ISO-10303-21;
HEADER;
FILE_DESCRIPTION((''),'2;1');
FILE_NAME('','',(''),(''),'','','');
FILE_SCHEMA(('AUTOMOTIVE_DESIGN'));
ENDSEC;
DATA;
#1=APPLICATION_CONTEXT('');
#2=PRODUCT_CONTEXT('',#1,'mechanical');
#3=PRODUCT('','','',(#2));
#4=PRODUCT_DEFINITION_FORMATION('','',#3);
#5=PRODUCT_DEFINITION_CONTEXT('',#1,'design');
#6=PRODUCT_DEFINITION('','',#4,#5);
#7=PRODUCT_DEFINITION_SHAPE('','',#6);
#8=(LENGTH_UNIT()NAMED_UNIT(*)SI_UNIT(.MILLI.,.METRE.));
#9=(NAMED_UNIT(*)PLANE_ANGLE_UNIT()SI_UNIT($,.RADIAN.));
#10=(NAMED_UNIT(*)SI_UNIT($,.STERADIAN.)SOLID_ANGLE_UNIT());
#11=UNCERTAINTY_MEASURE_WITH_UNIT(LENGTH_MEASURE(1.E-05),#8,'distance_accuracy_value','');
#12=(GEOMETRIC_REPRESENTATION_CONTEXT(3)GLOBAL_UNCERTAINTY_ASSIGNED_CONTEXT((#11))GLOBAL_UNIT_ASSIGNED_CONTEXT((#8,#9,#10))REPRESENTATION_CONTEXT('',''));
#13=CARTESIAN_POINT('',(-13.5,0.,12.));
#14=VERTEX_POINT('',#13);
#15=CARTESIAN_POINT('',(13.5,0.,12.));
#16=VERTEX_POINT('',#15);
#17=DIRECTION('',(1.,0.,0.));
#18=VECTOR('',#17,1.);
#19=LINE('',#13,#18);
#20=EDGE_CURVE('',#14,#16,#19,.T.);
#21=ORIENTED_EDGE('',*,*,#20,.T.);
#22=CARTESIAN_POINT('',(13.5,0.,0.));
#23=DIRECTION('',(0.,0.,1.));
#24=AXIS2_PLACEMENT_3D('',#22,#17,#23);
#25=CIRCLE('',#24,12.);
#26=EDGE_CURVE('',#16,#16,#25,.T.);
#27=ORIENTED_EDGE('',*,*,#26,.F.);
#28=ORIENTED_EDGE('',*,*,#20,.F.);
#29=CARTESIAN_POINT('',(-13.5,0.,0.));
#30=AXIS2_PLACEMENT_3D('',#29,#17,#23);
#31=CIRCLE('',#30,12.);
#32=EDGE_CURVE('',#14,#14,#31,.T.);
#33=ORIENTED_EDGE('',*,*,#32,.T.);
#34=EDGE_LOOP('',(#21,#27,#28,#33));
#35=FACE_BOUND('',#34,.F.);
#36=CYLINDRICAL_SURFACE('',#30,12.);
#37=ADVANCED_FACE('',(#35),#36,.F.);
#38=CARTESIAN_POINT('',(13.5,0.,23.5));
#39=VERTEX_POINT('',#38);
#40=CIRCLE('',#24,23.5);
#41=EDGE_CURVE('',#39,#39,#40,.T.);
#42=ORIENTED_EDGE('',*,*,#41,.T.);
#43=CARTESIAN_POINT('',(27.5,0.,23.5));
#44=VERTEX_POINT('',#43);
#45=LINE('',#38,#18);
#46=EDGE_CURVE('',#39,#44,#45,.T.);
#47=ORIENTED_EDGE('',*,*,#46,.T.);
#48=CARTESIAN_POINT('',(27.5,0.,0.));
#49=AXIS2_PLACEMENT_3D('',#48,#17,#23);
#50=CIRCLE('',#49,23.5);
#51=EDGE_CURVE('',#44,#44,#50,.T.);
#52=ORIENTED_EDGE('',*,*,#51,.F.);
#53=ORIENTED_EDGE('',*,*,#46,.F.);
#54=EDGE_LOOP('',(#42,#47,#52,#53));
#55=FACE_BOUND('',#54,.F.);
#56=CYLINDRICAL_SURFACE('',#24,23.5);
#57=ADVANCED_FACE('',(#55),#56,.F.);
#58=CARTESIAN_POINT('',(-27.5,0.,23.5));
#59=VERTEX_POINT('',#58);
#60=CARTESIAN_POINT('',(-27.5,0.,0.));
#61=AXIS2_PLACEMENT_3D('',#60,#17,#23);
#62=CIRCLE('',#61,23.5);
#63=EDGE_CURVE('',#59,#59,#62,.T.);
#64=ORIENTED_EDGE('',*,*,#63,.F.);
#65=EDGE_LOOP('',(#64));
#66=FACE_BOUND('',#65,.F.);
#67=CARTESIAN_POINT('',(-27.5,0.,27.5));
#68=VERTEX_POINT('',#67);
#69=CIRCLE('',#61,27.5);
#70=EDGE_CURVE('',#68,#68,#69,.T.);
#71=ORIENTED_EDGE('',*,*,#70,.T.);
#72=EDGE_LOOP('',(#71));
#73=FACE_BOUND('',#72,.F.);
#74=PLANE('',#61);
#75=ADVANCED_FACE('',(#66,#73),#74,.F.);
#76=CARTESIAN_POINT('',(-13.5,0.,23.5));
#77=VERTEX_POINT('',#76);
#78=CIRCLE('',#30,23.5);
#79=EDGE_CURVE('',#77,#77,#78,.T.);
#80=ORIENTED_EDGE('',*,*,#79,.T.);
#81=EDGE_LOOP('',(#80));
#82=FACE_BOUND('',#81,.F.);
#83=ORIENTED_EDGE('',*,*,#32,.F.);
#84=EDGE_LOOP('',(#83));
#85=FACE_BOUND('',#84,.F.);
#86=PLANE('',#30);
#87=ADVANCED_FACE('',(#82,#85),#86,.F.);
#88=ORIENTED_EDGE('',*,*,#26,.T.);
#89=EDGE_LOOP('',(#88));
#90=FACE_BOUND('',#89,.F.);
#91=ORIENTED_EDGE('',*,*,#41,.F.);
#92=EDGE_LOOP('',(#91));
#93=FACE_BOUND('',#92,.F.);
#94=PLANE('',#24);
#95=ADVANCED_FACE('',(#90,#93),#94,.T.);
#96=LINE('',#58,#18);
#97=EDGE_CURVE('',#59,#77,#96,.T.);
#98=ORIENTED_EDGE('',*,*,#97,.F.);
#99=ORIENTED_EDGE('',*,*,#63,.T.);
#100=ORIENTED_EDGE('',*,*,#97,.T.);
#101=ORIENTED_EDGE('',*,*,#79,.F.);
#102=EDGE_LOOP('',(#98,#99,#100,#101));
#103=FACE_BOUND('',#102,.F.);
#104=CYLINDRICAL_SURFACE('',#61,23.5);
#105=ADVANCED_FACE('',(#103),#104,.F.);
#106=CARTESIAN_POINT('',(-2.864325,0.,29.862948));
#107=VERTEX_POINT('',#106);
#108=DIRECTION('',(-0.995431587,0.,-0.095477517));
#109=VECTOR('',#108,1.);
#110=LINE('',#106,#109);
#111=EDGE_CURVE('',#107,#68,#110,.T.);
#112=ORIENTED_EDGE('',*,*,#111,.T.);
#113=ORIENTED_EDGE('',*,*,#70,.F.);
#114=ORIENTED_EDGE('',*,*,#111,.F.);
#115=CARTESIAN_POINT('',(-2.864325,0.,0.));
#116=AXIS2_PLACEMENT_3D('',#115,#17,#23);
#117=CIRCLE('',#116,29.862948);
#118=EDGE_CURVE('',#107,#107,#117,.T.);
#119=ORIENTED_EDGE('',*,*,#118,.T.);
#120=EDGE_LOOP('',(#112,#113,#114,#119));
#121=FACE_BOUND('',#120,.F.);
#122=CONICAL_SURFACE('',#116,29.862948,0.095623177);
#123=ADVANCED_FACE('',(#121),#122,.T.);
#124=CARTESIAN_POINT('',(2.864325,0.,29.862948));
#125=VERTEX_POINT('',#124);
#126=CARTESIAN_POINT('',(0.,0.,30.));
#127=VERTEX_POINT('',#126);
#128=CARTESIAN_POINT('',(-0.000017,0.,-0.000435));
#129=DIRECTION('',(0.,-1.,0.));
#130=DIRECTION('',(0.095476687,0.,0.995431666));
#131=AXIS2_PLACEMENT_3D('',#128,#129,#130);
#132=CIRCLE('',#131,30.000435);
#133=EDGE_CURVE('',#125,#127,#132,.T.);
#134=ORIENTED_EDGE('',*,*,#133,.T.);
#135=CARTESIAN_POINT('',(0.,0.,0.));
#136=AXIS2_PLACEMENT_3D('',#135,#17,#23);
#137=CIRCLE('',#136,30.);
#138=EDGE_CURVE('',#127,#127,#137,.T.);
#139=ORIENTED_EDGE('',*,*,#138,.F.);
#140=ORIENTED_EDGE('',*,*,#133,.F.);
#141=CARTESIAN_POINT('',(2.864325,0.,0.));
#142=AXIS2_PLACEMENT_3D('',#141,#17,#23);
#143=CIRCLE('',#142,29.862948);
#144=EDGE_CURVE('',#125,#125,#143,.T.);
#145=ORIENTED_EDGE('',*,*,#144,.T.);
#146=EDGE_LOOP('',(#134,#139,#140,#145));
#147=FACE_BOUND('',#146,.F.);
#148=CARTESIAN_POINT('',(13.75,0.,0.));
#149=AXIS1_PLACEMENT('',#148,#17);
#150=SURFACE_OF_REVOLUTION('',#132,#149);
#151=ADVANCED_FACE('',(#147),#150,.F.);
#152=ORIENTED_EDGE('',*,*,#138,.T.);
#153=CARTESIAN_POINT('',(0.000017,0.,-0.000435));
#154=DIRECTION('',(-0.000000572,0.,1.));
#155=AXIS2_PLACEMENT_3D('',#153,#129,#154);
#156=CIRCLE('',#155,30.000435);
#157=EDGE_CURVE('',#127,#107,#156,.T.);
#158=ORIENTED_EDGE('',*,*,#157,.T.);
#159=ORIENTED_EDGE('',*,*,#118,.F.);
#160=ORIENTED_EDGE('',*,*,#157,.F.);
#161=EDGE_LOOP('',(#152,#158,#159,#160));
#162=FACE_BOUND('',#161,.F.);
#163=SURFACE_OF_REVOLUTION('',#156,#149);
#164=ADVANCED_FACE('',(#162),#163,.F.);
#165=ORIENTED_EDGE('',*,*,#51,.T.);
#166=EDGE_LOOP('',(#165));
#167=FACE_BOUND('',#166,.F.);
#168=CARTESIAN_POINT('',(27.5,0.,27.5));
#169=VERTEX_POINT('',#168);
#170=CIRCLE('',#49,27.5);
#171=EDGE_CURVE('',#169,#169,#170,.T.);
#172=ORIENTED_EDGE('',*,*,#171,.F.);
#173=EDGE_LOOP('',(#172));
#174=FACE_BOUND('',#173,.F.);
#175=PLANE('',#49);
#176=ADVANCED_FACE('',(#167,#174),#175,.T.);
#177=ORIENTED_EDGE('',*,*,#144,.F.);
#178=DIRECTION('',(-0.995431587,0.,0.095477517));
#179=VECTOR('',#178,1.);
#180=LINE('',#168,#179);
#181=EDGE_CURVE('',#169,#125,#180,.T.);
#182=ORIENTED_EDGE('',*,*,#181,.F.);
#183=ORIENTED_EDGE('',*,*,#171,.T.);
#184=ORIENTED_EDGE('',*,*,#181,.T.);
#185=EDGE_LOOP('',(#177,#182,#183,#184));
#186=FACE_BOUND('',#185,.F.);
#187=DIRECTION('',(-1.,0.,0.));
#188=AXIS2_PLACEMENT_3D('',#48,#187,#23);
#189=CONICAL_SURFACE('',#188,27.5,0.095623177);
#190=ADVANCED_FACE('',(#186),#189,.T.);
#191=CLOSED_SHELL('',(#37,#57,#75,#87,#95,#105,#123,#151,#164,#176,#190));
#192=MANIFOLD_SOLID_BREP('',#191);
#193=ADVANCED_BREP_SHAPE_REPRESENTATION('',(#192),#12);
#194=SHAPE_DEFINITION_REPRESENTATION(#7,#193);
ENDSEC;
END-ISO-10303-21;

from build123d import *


with BuildPart() as f1:
    # F0 (on Front) → F1 (revolve)
    with BuildSketch(Plane.XZ):
        with BuildLine():
            Line((27.5, 23.5), (27.5, 27.5))
            Line((27.5, 27.5), (2.864325, 29.862948))
            ThreePointArc((2.864325, 29.862948), (1.433801, 29.965717), (0, 30))
            ThreePointArc((0, 30), (-1.433801, 29.965717), (-2.864325, 29.862948))
            Line((-2.864325, 29.862948), (-27.5, 27.5))
            Line((-27.5, 27.5), (-27.5, 23.5))
            Line((-27.5, 23.5), (-13.5, 23.5))
            Line((-13.5, 23.5), (-13.5, 12))
            Line((-13.5, 12), (0, 12))
            Line((0, 12), (13.5, 12))
            Line((13.5, 12), (13.5, 23.5))
            Line((13.5, 23.5), (27.5, 23.5))
        make_face()
    revolve(axis=Axis((13.75, 0, 0), (1, 0, 0)))


solid = f1.part
